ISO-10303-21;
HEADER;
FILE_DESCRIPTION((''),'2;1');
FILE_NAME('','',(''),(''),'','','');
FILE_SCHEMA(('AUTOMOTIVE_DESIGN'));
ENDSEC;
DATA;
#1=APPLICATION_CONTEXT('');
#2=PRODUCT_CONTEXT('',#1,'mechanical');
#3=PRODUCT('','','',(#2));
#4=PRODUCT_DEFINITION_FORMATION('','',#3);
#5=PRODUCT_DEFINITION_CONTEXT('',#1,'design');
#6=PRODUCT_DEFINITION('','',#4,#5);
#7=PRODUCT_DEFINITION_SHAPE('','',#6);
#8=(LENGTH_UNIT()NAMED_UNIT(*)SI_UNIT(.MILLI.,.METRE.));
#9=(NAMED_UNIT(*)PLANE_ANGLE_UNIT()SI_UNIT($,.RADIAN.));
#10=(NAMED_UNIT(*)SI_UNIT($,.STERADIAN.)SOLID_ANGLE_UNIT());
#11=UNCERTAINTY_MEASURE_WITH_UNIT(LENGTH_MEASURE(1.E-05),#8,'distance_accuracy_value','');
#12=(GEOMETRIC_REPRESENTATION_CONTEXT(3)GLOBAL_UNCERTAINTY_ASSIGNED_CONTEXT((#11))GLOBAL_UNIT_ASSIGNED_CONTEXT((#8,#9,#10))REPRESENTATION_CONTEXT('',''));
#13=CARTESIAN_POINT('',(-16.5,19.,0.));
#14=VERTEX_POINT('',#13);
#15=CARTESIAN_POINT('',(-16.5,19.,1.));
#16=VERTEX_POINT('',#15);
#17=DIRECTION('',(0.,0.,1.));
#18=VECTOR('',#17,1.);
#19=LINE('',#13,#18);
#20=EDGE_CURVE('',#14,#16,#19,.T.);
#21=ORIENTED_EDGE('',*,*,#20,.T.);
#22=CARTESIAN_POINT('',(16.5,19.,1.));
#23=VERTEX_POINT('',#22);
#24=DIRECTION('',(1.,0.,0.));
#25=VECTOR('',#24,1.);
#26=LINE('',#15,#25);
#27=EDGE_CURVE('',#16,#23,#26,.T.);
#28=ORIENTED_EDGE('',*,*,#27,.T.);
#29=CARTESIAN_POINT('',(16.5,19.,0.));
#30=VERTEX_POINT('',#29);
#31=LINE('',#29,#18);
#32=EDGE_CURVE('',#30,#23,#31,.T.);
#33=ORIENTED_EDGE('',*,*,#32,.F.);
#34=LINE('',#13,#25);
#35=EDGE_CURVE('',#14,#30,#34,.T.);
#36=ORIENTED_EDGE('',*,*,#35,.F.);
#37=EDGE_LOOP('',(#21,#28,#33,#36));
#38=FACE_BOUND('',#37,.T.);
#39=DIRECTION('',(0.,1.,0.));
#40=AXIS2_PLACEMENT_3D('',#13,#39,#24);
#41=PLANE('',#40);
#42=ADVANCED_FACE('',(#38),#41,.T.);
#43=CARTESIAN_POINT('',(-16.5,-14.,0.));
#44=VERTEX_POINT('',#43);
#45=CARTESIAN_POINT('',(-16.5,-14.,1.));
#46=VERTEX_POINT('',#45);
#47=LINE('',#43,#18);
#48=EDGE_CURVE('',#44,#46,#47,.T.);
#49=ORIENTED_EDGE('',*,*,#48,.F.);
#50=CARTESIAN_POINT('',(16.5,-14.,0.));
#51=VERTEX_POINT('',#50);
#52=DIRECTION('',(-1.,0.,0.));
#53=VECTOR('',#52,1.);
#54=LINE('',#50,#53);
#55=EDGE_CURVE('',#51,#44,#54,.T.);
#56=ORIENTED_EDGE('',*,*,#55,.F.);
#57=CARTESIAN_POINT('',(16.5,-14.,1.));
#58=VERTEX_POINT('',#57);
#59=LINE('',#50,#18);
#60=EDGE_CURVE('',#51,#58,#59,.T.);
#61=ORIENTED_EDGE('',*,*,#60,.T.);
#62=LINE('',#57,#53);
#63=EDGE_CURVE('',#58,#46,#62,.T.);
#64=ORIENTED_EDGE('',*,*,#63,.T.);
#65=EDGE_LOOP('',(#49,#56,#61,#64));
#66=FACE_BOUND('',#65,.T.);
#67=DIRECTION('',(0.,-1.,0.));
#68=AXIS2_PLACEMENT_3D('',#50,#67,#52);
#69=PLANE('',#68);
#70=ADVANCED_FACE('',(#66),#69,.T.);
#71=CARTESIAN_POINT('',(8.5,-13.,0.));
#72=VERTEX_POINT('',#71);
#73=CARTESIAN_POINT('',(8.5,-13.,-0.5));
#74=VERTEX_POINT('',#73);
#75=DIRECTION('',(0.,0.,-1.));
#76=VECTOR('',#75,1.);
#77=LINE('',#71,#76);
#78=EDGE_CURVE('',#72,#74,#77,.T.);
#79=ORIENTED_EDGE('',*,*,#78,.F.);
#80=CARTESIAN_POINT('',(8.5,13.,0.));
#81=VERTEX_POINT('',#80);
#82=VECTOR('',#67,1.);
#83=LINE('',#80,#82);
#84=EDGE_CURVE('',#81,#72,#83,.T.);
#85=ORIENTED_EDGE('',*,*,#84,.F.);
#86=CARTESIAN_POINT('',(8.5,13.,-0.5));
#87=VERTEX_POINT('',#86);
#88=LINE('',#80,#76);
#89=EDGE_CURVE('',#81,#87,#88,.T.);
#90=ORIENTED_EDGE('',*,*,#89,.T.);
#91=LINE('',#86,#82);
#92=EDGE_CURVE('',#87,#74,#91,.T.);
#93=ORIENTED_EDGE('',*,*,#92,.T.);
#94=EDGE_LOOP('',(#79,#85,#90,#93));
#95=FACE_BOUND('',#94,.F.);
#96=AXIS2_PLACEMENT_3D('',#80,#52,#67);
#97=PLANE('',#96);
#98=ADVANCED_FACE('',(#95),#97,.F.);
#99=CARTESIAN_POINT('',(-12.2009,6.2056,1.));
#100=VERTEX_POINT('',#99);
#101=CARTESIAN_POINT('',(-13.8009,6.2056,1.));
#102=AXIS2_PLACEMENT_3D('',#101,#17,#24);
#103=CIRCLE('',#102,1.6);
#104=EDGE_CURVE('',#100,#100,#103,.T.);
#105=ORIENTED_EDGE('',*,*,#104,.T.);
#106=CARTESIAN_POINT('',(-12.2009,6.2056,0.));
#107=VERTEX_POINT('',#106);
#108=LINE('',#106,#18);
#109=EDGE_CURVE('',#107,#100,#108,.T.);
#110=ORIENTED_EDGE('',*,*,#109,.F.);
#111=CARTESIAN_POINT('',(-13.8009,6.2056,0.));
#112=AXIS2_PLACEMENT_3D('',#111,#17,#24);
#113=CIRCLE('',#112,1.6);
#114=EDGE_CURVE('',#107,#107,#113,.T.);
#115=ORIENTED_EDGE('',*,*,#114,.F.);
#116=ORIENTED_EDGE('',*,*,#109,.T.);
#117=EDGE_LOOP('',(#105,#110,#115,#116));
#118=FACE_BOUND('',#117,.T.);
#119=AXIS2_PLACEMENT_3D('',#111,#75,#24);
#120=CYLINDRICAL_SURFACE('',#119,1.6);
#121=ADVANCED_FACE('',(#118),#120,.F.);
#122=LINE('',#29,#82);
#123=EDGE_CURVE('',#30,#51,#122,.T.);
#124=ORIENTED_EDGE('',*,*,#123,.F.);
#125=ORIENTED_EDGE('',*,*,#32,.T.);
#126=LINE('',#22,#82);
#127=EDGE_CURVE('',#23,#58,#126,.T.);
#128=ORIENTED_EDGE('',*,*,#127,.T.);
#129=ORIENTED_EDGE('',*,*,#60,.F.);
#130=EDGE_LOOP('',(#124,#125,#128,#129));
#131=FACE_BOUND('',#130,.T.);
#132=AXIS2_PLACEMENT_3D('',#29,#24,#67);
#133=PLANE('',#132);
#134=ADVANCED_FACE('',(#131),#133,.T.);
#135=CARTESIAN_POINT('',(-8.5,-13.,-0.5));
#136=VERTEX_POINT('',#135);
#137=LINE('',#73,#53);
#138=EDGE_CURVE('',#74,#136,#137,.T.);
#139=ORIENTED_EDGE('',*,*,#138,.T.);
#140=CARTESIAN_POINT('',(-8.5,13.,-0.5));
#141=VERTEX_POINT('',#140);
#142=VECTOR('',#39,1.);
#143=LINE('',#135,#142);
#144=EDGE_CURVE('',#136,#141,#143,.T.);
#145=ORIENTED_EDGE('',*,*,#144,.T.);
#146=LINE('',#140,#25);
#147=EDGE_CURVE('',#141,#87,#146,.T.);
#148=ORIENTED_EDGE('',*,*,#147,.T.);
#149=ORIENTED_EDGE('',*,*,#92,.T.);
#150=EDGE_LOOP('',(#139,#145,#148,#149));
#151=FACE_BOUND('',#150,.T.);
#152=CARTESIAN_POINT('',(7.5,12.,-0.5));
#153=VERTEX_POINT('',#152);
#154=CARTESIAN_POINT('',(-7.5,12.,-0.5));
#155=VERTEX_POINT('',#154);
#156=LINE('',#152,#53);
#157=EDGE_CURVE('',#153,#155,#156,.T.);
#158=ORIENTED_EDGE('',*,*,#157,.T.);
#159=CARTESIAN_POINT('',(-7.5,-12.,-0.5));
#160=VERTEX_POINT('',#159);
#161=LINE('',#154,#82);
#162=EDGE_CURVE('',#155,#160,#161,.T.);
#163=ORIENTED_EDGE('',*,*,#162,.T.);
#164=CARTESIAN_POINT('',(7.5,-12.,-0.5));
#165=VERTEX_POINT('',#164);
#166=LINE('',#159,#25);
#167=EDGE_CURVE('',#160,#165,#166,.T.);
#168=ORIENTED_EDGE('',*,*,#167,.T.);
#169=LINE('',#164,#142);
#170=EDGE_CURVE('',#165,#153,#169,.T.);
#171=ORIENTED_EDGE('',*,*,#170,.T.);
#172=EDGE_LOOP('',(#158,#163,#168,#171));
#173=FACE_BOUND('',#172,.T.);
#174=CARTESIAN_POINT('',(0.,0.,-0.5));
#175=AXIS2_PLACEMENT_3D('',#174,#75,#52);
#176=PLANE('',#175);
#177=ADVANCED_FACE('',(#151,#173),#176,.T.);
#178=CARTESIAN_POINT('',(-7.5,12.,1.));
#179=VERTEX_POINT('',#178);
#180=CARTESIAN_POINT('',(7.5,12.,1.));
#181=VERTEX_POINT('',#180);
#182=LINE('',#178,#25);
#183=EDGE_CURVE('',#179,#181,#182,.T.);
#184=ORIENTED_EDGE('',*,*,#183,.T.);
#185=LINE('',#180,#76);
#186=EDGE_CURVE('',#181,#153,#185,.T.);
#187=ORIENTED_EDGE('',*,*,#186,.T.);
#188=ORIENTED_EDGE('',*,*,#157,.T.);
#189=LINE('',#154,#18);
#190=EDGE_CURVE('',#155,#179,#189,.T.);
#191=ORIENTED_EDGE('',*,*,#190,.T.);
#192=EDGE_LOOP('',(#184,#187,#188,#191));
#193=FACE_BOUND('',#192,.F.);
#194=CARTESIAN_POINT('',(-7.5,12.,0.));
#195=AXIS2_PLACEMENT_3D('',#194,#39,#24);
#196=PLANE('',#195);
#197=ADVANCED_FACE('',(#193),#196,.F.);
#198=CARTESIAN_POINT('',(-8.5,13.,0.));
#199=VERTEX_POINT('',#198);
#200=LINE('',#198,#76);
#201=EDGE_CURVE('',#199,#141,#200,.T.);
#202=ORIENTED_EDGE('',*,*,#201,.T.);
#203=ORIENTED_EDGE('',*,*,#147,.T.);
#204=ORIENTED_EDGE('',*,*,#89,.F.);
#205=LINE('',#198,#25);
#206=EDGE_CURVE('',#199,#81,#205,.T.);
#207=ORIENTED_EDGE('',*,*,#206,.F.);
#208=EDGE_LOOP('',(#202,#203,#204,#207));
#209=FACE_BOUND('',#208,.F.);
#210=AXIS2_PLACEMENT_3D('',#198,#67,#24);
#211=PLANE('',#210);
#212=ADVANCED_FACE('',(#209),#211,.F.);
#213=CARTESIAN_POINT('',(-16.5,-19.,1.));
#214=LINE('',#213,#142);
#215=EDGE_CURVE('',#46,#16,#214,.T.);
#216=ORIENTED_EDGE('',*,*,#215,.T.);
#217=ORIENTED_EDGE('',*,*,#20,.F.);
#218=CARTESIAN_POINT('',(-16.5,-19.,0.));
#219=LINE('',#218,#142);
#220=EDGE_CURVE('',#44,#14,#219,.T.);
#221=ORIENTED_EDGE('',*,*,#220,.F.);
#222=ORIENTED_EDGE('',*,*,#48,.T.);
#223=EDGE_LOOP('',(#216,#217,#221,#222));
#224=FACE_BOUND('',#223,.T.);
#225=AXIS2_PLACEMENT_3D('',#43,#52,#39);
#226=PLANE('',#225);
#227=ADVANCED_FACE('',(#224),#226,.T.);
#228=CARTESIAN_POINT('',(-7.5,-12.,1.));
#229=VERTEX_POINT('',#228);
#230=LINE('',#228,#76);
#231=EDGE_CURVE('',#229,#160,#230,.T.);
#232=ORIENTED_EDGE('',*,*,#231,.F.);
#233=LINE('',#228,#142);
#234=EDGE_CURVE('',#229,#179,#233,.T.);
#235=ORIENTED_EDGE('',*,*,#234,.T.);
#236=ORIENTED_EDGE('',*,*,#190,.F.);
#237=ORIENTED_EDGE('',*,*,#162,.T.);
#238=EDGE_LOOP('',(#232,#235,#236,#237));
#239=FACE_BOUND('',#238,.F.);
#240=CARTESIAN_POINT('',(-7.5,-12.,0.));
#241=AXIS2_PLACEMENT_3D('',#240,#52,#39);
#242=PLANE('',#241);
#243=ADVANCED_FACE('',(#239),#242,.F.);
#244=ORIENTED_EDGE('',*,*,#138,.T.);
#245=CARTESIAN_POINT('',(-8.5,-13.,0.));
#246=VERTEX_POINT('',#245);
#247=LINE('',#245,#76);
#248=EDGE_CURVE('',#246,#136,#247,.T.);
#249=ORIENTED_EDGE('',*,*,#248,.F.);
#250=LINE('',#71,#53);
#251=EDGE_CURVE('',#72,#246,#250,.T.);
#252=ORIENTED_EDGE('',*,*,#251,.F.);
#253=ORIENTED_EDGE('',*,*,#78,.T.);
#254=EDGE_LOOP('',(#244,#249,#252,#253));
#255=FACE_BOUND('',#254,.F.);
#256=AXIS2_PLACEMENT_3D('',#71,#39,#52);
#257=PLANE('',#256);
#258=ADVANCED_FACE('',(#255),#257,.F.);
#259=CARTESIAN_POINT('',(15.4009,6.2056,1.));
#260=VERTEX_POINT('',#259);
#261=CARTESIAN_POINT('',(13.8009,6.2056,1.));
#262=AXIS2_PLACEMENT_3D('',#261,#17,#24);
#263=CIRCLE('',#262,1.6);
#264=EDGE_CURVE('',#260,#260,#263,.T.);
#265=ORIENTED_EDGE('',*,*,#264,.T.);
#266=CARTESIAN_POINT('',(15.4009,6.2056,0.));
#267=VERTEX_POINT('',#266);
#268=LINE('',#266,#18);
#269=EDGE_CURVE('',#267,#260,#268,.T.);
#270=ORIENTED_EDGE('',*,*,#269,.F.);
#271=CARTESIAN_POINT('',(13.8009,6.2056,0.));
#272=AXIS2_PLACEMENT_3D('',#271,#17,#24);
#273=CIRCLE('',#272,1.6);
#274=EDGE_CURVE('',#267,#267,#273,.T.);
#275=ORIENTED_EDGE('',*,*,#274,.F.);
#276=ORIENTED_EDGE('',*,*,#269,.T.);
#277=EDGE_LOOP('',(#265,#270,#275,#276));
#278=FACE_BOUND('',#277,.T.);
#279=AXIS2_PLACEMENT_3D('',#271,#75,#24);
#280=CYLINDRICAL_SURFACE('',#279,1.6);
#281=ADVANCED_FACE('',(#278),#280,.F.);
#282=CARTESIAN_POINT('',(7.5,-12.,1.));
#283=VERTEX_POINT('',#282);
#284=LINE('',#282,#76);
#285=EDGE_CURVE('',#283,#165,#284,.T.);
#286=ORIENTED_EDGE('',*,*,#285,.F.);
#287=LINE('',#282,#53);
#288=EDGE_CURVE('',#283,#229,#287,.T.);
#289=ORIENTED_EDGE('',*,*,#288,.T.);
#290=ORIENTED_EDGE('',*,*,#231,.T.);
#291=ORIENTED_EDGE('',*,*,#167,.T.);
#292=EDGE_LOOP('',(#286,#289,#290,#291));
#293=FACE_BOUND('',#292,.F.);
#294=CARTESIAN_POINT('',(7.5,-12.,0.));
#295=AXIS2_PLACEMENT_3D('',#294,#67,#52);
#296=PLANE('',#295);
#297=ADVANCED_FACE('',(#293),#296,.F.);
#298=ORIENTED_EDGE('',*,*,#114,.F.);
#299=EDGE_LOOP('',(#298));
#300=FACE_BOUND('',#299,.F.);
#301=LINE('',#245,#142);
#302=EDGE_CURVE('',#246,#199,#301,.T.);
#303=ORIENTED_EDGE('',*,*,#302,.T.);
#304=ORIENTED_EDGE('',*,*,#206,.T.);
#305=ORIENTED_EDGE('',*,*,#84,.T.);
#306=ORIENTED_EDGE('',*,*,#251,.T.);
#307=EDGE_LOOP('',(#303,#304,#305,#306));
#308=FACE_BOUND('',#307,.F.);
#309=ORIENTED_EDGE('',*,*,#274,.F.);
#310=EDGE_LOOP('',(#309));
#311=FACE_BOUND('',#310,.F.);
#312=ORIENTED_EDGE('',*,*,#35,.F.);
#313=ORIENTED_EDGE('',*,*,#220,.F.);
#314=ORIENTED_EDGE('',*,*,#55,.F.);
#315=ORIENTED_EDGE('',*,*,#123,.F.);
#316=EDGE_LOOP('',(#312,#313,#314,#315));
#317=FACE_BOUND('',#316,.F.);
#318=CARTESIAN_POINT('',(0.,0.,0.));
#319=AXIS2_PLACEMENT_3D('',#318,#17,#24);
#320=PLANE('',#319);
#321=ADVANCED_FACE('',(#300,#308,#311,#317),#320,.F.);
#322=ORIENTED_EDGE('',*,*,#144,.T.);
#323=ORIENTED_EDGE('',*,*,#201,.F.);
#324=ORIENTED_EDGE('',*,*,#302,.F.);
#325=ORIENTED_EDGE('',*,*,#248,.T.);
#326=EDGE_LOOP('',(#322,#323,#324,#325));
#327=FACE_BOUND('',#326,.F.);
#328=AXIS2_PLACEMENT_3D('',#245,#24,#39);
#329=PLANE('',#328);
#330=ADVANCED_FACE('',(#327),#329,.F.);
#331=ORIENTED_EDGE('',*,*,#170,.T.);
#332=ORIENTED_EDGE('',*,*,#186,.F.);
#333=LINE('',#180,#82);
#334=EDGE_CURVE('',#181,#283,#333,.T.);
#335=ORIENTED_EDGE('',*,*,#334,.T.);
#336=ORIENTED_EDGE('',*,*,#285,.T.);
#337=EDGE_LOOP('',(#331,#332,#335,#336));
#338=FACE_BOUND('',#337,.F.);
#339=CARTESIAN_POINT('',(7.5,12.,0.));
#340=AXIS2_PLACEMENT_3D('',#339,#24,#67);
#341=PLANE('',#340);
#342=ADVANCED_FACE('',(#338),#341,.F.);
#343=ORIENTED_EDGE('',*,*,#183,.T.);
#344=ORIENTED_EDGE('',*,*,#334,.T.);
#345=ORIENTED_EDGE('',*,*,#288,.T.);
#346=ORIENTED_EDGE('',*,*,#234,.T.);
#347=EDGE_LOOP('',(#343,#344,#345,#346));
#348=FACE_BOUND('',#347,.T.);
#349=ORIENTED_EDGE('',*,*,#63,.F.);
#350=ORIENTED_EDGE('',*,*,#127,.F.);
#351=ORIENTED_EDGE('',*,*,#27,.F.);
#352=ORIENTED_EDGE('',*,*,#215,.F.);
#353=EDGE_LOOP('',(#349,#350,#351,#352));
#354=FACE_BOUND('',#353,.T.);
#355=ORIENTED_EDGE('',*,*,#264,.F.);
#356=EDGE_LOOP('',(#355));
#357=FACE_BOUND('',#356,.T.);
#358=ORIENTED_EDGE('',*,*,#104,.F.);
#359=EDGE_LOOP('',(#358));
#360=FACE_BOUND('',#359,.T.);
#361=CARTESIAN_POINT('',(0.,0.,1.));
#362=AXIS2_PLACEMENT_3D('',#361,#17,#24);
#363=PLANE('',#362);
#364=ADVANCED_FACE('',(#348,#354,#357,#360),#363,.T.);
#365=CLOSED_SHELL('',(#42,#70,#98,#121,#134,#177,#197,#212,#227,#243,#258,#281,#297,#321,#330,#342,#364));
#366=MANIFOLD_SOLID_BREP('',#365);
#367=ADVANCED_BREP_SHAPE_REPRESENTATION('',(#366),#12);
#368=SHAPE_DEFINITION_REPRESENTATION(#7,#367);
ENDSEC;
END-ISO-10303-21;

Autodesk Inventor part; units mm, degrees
ref_plane "YZ Plane" through (0, 0, 0) normal (1, 0, 0) x (0, 1, 0)
ref_plane "XZ Plane" through (0, 0, 0) normal (0, 1, 0) x (-1, 0, 0)
ref_plane "XY Plane" through (0, 0, 0) normal (0, 0, 1) x (1, 0, 0)
ref_plane "Work Plane1" through (0, 0, 0) normal (0, 0, 1) x (1, 0, 0)
sketch "Sketch1" plane through (0, 0, 0) normal (0, 0, 1) x (1, 0, 0)
  line L0 (-8.5, -13) -> (-8.5, 13) construction
  line L1 (-8.5, 13) -> (8.5, 13) construction
  line L2 (8.5, 13) -> (8.5, -13) construction
  line L3 (8.5, -13) -> (-8.5, -13) construction
  line L4 (-11.5, -16) -> (11.5, -16) construction
  line L5 (11.5, -16) -> (11.5, 16) construction
  line L6 (11.5, 16) -> (-11.5, 16) construction
  line L7 (-11.5, 16) -> (-11.5, -16) construction
  circle A0 centre (13.8009, 6.2056) radius 1.4 construction
  circle A1 centre (-13.8009, 6.2056) radius 1.4 construction
  line L8 (16.5, -19) -> (-16.5, -19)
  line L9 (-16.5, -19) -> (-16.5, 19)
  line L10 (-16.5, 19) -> (16.5, 19)
  line L11 (16.5, 19) -> (16.5, -19)
  line L12 (16.5, -19) -> (-16.5, 19) construction
  line L13 (-16.5, -19) -> (16.5, 19) construction
  circle A2 centre (-13.8009, 6.2056) radius 1.6
  circle A3 centre (13.8009, 6.2056) radius 1.6
  line L14 (-7.5, 12) -> (7.5, 12)
  line L15 (7.5, 12) -> (7.5, -12)
  line L16 (7.5, -12) -> (-7.5, -12)
  line L17 (-7.5, -12) -> (-7.5, 12)
  line L18 (-7.5, 12) -> (7.5, -12) construction
  line L19 (7.5, 12) -> (-7.5, -12) construction
  line L20 (16.5, -14) -> (-16.5, -14)
  point P0 (0, 0)
  dimension "d0" = 33
  dimension "d1" = 38
  dimension "d2" = 3.2
  dimension "d3" = 3.2
  dimension "d4" = 15
  dimension "d5" = 24
  dimension "d11" = 5
extrude "Extrusion1" add sketch "Sketch1" along normal blind 1 contours L20 L9 L10 L11
sketch "Sketch2" plane through (0, 0, 0) normal (0, 0, -1) x (-1, 0, 0)
  line L0 (-7.5, -12) -> (-7.5, 12) projected
  line L1 (-7.5, 12) -> (7.5, 12) projected
  line L2 (7.5, 12) -> (7.5, -12) projected
  line L3 (7.5, -12) -> (-7.5, -12) projected
  circle A0 centre (-13.8009, 6.2056) radius 1.6 projected
  circle A1 centre (13.8009, 6.2056) radius 1.6 projected
  line L4 (16.5, 19) -> (16.5, -14) projected
  line L5 (-16.5, 19) -> (16.5, 19) projected
  line L6 (-16.5, -14) -> (-16.5, 19) projected
  line L7 (8.5, -13) -> (8.5, 13)
  line L8 (8.5, 13) -> (-8.5, 13)
  line L9 (-8.5, 13) -> (-8.5, -13)
  line L10 (-8.5, -13) -> (8.5, -13)
  line L11 (16.5, -14) -> (-16.5, -14) projected
  point P0 (0, 0)
  dimension "d8" = 1
extrude "Extrusion2" add sketch "Sketch2" along normal blind 0.5 contours L10 L9 L8 L7
properties part number "20_Cube_Insert_Beamsplittercube_Dichroicmirror_Retainplate"
